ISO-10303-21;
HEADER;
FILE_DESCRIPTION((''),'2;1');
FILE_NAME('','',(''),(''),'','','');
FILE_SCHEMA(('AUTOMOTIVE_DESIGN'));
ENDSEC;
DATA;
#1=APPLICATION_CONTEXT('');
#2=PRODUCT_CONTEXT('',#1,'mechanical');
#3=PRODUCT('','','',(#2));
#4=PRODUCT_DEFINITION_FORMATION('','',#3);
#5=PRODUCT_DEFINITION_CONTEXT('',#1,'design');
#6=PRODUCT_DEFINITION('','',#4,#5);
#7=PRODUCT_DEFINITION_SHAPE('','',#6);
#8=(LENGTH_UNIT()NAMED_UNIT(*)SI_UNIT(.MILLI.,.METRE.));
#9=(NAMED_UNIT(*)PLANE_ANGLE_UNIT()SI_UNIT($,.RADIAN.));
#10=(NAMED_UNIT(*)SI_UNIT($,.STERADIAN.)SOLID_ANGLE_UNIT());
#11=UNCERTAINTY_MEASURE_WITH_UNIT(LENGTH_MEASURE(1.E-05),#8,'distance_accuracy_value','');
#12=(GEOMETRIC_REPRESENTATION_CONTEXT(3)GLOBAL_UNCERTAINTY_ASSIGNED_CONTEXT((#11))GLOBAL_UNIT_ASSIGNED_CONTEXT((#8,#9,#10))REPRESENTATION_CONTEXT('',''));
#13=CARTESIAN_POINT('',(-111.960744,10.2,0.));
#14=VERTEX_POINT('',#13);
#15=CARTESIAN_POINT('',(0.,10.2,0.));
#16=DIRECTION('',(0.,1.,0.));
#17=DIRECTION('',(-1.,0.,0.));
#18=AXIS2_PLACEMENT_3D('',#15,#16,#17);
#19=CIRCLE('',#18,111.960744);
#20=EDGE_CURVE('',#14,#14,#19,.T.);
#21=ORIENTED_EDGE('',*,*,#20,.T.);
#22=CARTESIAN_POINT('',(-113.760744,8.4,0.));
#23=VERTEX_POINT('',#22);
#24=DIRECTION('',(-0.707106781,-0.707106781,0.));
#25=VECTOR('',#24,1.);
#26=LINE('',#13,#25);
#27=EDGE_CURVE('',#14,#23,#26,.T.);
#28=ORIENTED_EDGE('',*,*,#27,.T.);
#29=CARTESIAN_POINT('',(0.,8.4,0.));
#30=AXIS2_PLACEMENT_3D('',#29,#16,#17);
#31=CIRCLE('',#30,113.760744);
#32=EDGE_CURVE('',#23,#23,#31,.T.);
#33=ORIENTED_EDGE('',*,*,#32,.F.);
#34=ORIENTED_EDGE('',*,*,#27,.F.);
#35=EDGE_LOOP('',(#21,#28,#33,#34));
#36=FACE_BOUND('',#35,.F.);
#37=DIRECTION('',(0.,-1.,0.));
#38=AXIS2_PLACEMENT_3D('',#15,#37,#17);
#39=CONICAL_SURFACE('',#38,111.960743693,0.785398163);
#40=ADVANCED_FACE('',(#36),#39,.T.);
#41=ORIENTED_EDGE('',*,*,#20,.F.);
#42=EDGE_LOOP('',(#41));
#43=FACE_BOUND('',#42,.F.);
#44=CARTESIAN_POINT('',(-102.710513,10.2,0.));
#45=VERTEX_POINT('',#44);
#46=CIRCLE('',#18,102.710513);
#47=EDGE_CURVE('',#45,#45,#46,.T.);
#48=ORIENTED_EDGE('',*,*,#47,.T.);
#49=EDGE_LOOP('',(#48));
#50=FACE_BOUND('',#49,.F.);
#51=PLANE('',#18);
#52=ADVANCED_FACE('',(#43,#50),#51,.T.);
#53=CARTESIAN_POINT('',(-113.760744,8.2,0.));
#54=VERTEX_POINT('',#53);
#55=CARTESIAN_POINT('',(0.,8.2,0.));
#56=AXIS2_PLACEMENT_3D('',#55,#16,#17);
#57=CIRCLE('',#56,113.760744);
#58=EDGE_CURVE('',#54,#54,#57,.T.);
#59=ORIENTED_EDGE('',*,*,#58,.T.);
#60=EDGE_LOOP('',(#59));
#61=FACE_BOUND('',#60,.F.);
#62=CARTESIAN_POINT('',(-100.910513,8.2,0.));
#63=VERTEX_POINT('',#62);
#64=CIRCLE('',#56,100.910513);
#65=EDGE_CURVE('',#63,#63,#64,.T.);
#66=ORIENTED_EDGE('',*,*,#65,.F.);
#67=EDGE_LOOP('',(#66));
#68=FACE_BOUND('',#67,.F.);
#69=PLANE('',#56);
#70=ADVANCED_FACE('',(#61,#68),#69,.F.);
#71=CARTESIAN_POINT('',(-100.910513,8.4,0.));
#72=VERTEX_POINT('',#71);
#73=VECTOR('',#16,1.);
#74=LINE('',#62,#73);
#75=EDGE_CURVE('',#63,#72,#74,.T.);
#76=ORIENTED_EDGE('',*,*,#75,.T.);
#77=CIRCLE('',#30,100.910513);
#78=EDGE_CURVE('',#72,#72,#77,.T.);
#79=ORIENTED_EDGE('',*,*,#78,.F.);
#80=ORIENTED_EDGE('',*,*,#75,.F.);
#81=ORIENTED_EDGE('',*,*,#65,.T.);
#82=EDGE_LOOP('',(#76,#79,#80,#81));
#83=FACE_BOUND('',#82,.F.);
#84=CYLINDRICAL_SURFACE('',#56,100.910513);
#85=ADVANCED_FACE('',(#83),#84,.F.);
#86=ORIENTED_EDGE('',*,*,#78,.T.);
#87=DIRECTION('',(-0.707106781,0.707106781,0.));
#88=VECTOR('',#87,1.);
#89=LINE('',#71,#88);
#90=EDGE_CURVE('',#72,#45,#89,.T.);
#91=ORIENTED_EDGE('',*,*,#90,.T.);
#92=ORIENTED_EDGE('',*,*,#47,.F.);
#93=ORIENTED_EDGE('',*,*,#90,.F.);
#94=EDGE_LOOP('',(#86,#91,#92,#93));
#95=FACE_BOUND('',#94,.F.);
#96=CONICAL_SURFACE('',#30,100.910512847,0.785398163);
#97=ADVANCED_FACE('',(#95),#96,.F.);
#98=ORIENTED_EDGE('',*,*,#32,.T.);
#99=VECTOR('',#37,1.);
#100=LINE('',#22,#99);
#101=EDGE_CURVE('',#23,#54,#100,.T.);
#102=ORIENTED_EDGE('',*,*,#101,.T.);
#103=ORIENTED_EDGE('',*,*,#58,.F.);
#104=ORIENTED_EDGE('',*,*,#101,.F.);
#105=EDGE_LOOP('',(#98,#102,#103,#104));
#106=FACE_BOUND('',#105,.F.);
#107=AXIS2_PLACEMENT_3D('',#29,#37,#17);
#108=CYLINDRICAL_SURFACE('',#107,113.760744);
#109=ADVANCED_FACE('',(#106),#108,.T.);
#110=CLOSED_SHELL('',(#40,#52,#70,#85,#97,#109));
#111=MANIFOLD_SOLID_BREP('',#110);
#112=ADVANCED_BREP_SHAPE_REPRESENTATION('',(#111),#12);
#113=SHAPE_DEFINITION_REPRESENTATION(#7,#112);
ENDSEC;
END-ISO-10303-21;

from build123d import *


with BuildPart() as part:
    # 草图1 → 旋转1 (revolve)
    with BuildSketch(Plane.XY):
        Polygon((-113.760743693, 8.4), (-113.760743693, 8.2), (-100.910512847, 8.2), (-100.910512847, 8.4), (-102.710512847, 10.2), (-111.960743693, 10.2), align=None)
    revolve(axis=Axis((0, 0, 0), (0, 1, 0)))


solid = part.part
